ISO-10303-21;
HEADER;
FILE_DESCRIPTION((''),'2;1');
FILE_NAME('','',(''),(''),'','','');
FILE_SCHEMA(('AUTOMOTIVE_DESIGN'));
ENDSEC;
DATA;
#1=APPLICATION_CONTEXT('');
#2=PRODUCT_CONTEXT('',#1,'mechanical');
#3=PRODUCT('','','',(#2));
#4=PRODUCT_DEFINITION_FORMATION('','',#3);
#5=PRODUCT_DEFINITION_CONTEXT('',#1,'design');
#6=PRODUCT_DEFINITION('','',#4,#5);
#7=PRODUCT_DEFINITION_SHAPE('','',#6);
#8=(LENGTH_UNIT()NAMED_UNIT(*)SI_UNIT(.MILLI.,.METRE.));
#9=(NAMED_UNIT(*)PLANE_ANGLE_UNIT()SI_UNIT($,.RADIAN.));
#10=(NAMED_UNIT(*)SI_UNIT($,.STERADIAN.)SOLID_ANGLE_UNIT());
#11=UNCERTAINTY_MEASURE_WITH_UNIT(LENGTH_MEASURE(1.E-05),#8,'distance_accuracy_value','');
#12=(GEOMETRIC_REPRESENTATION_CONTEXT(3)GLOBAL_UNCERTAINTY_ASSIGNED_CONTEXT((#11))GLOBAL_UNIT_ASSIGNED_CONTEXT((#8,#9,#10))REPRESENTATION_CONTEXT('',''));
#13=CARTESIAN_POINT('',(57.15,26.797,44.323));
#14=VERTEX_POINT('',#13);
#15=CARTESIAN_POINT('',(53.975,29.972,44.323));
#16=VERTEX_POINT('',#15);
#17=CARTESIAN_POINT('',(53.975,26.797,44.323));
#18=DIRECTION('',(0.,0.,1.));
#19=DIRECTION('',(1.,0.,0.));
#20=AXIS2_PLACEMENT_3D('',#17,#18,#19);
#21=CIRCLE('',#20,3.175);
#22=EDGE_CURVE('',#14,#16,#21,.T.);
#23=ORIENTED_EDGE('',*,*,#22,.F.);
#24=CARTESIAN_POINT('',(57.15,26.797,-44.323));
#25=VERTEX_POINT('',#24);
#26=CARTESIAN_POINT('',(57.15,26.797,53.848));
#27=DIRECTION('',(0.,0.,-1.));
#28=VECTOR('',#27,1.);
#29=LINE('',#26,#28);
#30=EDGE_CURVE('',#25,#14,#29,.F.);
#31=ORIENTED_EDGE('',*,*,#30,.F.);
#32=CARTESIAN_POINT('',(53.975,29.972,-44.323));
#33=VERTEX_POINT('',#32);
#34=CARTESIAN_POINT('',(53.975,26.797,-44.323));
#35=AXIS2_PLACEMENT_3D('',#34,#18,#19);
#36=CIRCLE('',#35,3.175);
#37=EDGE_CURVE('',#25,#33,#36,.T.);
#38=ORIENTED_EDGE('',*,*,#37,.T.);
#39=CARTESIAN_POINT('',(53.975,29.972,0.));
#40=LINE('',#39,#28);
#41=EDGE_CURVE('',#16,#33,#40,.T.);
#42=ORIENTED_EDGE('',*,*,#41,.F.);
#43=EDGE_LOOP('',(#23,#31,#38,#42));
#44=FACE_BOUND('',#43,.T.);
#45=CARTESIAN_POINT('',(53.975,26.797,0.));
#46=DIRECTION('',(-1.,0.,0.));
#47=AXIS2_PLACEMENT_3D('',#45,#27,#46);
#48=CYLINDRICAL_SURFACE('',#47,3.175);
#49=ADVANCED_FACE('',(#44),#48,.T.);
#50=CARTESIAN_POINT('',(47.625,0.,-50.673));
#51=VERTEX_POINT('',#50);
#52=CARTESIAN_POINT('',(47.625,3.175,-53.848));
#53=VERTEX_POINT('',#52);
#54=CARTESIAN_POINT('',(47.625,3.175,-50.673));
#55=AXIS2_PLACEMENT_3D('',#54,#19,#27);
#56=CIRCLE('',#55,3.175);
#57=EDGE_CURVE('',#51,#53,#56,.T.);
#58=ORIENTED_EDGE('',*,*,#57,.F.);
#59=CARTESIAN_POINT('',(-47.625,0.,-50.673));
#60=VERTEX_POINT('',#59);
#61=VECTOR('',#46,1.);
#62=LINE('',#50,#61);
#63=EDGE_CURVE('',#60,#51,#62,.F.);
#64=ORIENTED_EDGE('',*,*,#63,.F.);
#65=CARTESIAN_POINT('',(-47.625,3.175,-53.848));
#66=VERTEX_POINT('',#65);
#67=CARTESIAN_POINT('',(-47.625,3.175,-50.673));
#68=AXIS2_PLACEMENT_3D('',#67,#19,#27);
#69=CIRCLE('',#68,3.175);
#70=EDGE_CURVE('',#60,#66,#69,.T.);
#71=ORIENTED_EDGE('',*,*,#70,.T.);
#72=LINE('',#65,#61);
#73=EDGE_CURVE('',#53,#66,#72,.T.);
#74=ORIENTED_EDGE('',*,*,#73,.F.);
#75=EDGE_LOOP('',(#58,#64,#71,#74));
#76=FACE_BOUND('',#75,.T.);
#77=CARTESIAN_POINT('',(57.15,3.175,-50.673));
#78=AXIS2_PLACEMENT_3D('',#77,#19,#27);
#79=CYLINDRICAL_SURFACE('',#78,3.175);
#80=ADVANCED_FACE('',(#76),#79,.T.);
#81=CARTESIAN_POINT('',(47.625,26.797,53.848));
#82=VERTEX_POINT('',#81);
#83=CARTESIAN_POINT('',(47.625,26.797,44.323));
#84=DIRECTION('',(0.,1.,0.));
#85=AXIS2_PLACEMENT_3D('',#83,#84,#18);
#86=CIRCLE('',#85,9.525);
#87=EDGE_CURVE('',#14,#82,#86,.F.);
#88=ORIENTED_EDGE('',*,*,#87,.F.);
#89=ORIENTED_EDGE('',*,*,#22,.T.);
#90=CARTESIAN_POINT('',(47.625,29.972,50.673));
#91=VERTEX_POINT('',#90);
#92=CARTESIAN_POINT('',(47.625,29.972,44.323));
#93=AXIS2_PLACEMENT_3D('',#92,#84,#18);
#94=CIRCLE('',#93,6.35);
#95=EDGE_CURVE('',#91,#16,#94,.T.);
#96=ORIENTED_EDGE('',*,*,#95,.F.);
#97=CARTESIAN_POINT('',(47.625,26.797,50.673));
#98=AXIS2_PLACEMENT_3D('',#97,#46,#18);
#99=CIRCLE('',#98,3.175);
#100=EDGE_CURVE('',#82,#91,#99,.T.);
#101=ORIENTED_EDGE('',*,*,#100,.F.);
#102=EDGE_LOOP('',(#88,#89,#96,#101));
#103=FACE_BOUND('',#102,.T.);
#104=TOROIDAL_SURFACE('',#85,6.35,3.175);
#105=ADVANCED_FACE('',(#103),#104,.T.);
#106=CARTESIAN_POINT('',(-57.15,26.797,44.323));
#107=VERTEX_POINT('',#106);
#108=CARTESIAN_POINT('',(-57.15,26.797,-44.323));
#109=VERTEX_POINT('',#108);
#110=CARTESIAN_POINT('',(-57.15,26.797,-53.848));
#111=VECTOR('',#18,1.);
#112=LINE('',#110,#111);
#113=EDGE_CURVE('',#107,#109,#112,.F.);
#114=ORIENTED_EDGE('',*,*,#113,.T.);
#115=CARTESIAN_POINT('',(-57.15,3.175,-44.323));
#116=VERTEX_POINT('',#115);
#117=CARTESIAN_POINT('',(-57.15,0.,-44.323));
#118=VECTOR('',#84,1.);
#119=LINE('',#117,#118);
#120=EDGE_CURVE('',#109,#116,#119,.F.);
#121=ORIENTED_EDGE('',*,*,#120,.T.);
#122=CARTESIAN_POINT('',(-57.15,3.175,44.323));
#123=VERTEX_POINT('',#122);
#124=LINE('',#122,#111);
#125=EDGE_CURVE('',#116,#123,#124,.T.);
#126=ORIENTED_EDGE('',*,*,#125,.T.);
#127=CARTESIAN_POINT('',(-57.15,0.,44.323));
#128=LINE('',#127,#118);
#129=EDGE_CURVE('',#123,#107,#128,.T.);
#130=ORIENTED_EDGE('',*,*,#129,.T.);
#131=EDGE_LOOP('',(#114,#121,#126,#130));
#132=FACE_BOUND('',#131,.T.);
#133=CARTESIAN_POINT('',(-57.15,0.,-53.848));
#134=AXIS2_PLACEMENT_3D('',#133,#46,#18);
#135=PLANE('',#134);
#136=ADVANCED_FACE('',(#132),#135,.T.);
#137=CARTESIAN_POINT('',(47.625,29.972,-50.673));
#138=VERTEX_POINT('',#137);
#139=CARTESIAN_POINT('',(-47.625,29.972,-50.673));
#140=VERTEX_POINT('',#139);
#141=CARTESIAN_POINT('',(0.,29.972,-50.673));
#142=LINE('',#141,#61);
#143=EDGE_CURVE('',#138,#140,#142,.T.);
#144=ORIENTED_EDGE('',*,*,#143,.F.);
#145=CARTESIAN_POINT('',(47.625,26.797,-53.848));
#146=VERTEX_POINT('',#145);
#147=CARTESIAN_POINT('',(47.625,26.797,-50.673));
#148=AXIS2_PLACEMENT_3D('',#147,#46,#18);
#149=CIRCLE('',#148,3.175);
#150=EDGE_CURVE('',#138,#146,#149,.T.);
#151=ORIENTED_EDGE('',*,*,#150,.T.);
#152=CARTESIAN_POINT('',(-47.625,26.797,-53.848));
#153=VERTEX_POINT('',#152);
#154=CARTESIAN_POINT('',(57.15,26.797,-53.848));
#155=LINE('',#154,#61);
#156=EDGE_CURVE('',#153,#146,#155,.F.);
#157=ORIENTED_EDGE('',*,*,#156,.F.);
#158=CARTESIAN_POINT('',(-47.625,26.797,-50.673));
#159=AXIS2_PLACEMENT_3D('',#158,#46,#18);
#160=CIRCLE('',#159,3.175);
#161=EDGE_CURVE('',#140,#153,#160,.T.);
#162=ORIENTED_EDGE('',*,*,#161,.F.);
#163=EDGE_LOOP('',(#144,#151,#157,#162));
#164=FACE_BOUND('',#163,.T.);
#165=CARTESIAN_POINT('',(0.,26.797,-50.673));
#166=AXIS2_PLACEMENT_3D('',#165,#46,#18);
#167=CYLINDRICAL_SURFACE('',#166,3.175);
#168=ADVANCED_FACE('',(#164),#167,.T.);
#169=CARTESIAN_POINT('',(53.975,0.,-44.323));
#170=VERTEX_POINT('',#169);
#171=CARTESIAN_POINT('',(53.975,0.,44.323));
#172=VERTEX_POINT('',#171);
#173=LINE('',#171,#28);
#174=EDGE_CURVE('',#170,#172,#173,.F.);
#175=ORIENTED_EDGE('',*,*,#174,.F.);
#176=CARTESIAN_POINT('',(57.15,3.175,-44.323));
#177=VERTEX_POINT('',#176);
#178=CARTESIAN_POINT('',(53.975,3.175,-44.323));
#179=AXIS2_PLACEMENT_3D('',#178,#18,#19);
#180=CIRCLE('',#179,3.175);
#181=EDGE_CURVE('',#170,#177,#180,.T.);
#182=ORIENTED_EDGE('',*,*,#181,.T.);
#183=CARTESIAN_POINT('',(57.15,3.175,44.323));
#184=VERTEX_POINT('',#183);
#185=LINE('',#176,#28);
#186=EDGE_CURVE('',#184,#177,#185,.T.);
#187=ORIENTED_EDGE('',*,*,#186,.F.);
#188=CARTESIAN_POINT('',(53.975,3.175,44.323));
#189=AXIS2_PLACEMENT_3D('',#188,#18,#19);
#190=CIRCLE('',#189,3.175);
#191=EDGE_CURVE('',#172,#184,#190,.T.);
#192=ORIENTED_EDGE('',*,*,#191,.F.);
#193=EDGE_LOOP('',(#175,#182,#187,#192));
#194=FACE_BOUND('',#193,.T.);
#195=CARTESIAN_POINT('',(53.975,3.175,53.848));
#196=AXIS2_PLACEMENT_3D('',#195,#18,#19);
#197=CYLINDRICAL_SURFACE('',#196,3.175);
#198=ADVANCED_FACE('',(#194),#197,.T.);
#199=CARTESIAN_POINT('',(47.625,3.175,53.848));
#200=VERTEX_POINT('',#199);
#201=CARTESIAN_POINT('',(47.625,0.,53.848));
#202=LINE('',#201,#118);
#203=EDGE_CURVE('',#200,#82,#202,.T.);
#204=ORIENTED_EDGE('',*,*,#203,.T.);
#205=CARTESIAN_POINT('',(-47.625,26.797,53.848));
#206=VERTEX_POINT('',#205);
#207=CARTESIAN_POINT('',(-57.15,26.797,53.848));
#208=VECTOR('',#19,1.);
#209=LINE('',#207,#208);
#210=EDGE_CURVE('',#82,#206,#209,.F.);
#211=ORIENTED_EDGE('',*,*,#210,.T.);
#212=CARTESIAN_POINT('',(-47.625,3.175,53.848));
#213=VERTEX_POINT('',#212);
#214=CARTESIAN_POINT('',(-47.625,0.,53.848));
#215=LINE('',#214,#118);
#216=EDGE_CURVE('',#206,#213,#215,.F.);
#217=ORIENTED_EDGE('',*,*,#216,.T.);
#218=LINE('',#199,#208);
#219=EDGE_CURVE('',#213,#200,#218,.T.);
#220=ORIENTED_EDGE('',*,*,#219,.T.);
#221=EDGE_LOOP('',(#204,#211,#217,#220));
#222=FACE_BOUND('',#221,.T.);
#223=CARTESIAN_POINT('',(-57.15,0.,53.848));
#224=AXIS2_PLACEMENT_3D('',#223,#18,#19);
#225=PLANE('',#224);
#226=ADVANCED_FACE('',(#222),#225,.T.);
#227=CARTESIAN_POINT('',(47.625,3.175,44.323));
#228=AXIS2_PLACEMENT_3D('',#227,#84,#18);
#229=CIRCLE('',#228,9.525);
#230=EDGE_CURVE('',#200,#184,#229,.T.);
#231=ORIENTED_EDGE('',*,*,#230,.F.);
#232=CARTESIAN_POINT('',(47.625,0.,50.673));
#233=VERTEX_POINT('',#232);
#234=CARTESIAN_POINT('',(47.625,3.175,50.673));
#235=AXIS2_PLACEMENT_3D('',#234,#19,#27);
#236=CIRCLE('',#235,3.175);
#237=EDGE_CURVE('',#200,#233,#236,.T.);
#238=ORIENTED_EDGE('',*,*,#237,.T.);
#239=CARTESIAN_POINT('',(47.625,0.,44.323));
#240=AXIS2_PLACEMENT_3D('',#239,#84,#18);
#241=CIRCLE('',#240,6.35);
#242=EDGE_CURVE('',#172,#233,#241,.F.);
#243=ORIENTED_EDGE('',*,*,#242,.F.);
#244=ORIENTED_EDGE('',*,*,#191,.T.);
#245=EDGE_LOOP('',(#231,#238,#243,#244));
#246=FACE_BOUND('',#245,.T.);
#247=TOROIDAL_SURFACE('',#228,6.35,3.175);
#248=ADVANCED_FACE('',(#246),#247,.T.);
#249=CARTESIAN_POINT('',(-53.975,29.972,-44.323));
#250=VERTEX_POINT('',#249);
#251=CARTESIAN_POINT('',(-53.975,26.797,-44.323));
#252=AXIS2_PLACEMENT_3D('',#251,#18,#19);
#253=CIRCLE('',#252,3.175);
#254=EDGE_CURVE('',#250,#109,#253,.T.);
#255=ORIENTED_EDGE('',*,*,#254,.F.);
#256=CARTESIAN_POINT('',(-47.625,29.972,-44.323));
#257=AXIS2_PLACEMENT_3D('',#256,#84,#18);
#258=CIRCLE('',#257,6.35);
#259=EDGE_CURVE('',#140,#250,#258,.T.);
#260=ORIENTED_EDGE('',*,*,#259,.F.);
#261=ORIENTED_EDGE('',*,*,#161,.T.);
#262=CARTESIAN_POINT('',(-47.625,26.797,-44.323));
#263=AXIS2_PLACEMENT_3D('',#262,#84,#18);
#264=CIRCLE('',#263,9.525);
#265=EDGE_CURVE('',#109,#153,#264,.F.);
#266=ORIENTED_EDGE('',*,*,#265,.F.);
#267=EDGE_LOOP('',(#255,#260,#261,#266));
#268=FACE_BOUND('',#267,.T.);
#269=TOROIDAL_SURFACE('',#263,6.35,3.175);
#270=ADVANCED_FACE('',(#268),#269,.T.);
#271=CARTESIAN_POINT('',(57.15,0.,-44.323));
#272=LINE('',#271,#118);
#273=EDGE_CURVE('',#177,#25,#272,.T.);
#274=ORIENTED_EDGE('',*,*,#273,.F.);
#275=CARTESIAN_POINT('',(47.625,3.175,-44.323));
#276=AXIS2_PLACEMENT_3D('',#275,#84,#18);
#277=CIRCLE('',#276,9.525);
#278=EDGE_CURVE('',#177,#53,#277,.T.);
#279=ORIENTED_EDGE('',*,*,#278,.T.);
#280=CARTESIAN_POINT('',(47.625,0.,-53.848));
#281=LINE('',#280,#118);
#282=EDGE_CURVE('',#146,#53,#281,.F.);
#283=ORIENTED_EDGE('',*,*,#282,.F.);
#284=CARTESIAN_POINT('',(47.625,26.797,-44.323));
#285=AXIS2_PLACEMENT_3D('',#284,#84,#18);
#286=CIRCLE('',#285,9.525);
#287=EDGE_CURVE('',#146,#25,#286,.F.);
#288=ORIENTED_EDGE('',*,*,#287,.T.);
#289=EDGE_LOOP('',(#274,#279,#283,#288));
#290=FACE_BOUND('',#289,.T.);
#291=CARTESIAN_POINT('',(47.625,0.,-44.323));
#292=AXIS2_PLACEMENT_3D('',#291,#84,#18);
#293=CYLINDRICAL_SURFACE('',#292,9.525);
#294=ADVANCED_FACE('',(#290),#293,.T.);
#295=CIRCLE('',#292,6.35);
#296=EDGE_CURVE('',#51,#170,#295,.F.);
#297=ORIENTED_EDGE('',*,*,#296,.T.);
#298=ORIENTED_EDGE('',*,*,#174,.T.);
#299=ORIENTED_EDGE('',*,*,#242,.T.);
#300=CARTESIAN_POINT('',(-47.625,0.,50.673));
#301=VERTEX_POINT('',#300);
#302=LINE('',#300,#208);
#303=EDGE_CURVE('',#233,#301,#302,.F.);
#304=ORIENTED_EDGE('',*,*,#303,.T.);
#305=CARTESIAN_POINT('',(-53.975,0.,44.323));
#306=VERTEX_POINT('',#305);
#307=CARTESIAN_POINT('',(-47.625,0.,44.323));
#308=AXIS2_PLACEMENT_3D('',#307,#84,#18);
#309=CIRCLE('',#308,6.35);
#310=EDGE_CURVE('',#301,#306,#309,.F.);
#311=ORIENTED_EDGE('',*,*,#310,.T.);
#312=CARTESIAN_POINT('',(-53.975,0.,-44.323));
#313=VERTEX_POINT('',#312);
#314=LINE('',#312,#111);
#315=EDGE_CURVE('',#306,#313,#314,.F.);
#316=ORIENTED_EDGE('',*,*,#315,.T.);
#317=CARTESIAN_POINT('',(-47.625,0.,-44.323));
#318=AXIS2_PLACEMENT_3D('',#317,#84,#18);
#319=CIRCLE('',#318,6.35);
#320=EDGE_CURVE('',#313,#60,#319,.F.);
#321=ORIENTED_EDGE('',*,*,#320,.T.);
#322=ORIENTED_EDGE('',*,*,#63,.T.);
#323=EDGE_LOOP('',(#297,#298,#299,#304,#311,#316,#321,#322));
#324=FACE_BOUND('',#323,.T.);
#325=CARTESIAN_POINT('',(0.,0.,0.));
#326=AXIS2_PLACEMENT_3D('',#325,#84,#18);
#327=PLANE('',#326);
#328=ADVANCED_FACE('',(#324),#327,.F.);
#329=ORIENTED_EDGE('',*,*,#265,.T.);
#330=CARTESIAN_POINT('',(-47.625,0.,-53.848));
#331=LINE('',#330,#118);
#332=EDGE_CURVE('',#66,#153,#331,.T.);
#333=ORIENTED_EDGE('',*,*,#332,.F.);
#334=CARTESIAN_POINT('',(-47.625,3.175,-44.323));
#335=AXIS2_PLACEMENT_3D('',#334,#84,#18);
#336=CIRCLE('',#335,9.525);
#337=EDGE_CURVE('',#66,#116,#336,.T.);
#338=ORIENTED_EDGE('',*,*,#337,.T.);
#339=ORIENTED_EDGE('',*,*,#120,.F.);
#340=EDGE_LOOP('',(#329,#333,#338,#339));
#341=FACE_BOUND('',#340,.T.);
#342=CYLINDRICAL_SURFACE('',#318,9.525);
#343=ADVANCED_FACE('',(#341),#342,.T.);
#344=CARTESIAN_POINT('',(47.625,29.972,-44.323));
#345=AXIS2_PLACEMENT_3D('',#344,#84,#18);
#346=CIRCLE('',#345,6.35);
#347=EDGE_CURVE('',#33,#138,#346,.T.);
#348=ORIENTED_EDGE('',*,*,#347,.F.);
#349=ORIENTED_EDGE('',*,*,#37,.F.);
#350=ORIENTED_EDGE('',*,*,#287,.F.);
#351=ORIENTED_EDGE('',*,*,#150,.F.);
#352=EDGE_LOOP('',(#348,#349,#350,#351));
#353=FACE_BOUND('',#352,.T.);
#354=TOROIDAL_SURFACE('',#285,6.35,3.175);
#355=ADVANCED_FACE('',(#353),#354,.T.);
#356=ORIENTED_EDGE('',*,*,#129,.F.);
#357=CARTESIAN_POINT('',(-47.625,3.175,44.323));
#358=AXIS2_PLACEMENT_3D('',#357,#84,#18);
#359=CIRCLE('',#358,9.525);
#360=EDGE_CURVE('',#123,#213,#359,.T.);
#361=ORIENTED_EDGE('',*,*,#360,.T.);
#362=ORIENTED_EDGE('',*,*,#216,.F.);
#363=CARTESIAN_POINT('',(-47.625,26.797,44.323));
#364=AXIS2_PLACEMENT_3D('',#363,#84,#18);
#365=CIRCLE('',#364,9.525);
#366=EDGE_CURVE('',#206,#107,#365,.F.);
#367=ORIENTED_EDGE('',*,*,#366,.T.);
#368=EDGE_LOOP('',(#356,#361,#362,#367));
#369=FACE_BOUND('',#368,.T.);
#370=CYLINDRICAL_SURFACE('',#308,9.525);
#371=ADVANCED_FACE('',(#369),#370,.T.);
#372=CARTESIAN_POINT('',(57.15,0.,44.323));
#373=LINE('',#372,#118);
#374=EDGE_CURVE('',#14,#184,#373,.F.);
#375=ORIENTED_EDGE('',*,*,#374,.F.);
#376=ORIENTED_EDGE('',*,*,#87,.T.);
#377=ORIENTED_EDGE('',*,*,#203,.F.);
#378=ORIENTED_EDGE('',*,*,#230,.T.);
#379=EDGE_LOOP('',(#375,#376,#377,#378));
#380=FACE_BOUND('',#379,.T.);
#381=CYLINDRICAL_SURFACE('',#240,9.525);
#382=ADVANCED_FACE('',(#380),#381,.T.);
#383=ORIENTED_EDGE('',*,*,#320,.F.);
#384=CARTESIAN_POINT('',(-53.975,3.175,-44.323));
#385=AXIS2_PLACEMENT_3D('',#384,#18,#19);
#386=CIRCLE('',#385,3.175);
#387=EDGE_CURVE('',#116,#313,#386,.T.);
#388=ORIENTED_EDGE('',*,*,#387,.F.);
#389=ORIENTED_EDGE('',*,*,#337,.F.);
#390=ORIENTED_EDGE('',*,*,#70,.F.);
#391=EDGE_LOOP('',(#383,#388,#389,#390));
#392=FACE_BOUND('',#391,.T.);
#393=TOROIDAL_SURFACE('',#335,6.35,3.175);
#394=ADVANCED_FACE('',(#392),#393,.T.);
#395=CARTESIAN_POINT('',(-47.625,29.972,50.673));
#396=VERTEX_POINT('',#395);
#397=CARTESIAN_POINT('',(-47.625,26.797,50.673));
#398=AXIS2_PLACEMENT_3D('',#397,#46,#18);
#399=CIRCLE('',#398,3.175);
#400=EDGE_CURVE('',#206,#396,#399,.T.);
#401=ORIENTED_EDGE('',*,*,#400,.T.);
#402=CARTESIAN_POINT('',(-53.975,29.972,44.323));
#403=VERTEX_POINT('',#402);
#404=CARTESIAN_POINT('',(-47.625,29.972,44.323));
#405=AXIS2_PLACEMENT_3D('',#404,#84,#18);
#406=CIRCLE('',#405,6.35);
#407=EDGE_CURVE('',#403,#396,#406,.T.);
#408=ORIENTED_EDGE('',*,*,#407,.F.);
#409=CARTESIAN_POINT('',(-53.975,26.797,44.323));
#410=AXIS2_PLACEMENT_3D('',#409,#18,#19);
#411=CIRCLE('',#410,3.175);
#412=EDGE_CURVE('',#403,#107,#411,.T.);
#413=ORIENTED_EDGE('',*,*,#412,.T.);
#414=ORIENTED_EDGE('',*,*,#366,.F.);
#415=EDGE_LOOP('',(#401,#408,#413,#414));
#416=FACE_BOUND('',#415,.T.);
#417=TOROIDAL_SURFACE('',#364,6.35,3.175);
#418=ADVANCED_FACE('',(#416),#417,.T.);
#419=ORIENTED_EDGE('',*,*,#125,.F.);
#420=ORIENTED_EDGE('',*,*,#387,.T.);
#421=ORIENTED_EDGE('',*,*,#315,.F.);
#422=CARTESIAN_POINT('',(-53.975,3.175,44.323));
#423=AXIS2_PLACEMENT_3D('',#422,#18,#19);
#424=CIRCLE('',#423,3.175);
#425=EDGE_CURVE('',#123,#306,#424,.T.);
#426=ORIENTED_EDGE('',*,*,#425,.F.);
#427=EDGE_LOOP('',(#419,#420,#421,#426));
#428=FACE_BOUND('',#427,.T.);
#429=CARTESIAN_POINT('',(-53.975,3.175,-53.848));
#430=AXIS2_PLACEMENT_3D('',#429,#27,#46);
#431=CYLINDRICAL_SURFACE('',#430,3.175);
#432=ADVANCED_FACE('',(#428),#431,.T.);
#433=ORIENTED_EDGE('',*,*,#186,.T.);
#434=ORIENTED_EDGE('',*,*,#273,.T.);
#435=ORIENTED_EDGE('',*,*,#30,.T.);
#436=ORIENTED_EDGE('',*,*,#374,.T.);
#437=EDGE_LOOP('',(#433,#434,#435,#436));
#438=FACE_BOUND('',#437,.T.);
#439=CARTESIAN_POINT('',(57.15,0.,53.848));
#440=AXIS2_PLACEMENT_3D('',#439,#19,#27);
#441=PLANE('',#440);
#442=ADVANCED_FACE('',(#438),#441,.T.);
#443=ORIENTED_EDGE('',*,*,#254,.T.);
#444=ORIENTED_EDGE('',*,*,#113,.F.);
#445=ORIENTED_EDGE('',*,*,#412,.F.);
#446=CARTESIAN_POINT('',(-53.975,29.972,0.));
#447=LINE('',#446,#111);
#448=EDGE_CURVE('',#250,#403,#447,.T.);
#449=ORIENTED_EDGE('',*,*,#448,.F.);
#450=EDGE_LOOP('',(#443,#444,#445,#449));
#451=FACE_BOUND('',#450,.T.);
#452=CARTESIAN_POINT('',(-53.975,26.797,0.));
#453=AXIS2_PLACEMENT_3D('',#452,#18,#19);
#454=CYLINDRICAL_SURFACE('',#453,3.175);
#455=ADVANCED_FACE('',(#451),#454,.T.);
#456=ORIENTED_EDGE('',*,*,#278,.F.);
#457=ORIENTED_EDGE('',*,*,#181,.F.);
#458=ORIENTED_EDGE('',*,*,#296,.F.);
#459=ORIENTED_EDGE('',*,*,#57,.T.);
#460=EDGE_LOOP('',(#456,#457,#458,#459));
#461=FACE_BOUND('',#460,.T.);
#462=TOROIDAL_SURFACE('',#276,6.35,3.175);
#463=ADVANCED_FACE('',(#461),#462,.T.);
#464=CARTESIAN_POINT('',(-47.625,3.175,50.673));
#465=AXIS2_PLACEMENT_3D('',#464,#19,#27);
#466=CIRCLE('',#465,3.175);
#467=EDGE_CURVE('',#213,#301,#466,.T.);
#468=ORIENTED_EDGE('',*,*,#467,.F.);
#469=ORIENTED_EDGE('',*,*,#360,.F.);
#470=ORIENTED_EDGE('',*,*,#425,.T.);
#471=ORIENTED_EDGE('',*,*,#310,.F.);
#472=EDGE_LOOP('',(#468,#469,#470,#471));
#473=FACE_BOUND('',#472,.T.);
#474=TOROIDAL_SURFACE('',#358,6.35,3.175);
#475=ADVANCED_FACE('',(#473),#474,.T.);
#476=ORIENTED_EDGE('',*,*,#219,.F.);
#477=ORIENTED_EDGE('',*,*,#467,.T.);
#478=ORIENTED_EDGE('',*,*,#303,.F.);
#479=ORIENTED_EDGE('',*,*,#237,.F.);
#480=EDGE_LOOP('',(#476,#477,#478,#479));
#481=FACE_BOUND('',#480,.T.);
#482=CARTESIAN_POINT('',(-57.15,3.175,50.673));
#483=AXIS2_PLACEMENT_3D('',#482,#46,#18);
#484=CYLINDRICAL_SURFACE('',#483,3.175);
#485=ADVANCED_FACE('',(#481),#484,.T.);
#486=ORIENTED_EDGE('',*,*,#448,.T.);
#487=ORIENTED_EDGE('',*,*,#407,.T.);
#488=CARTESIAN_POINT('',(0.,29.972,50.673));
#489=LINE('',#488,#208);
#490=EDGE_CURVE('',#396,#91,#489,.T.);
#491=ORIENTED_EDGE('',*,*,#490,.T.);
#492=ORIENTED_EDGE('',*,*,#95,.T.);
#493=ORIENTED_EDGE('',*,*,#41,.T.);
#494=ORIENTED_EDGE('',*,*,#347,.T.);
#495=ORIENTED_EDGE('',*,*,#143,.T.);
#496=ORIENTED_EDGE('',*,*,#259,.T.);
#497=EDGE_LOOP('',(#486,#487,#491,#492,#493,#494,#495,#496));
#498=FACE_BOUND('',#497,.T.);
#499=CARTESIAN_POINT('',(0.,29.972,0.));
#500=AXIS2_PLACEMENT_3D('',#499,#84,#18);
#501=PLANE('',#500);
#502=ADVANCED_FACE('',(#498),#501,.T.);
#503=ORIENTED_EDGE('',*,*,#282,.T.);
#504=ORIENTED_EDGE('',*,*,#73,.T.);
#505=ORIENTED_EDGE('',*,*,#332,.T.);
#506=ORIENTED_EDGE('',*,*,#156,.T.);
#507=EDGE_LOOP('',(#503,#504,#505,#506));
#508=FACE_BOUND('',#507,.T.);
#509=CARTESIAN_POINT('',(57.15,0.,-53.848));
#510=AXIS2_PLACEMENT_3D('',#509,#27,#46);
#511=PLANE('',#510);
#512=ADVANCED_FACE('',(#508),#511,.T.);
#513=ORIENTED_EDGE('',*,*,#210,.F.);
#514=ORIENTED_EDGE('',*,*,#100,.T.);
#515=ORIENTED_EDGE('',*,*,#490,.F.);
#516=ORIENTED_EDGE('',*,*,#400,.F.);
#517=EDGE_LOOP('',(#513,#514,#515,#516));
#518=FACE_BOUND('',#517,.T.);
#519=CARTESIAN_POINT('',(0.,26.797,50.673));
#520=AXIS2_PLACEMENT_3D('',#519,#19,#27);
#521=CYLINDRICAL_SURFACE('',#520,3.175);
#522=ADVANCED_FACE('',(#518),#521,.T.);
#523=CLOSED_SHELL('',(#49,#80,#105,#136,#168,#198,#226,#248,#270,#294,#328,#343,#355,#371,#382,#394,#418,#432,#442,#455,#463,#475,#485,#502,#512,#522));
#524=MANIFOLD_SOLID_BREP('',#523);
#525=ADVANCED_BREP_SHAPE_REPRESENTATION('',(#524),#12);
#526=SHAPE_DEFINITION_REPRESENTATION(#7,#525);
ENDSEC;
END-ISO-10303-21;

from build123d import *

# Parameters (mm, degrees)
SKETCH1_W           = 114.3
SKETCH1_H           = 107.696
BOSS_EXTRUDE1_DEPTH = 29.972
FILLET1_R           = 9.525
FILLET2_R           = 3.175


with BuildPart() as part:
    # Sketch1 → Boss-Extrude1 (new body)
    with BuildSketch(Plane(origin=(0, 29.972, 0), x_dir=(1, 0, 0), z_dir=(0, 1, 0))):
        Rectangle(SKETCH1_W, SKETCH1_H)
    extrude(amount=-BOSS_EXTRUDE1_DEPTH)

    # Fillet1
    fillet1_edges = [part.edges().sort_by_distance(p)[0] for p in [
        (-57.15, 14.986, 53.848),
        (-57.15, 14.986, -53.848),
        (57.15, 14.986, -53.848),
        (57.15, 14.986, 53.848),
    ]]
    fillet(fillet1_edges, radius=FILLET1_R)

    # Fillet2
    fillet2_edges = [part.edges().sort_by_distance(p)[0] for p in [
        (0, 29.972, -53.848),
        (0, 0, -53.848),
        (0, 29.972, 53.848),
        (57.15, 29.972, 0),
        (-57.15, 29.972, 0),
        (54.360192091, 29.972, 51.058192091),
        (-54.360192091, 29.972, 51.058192091),
        (54.360192091, 29.972, -51.058192091),
        (-54.360192091, 29.972, -51.058192091),
        (-57.15, 0, 0),
        (0, 0, 53.848),
        (57.15, 0, 0),
        (54.360192091, 0, 51.058192091),
        (-54.360192091, 0, 51.058192091),
        (54.360192091, 0, -51.058192091),
        (-54.360192091, 0, -51.058192091),
    ]]
    fillet(fillet2_edges, radius=FILLET2_R)


solid = part.part
